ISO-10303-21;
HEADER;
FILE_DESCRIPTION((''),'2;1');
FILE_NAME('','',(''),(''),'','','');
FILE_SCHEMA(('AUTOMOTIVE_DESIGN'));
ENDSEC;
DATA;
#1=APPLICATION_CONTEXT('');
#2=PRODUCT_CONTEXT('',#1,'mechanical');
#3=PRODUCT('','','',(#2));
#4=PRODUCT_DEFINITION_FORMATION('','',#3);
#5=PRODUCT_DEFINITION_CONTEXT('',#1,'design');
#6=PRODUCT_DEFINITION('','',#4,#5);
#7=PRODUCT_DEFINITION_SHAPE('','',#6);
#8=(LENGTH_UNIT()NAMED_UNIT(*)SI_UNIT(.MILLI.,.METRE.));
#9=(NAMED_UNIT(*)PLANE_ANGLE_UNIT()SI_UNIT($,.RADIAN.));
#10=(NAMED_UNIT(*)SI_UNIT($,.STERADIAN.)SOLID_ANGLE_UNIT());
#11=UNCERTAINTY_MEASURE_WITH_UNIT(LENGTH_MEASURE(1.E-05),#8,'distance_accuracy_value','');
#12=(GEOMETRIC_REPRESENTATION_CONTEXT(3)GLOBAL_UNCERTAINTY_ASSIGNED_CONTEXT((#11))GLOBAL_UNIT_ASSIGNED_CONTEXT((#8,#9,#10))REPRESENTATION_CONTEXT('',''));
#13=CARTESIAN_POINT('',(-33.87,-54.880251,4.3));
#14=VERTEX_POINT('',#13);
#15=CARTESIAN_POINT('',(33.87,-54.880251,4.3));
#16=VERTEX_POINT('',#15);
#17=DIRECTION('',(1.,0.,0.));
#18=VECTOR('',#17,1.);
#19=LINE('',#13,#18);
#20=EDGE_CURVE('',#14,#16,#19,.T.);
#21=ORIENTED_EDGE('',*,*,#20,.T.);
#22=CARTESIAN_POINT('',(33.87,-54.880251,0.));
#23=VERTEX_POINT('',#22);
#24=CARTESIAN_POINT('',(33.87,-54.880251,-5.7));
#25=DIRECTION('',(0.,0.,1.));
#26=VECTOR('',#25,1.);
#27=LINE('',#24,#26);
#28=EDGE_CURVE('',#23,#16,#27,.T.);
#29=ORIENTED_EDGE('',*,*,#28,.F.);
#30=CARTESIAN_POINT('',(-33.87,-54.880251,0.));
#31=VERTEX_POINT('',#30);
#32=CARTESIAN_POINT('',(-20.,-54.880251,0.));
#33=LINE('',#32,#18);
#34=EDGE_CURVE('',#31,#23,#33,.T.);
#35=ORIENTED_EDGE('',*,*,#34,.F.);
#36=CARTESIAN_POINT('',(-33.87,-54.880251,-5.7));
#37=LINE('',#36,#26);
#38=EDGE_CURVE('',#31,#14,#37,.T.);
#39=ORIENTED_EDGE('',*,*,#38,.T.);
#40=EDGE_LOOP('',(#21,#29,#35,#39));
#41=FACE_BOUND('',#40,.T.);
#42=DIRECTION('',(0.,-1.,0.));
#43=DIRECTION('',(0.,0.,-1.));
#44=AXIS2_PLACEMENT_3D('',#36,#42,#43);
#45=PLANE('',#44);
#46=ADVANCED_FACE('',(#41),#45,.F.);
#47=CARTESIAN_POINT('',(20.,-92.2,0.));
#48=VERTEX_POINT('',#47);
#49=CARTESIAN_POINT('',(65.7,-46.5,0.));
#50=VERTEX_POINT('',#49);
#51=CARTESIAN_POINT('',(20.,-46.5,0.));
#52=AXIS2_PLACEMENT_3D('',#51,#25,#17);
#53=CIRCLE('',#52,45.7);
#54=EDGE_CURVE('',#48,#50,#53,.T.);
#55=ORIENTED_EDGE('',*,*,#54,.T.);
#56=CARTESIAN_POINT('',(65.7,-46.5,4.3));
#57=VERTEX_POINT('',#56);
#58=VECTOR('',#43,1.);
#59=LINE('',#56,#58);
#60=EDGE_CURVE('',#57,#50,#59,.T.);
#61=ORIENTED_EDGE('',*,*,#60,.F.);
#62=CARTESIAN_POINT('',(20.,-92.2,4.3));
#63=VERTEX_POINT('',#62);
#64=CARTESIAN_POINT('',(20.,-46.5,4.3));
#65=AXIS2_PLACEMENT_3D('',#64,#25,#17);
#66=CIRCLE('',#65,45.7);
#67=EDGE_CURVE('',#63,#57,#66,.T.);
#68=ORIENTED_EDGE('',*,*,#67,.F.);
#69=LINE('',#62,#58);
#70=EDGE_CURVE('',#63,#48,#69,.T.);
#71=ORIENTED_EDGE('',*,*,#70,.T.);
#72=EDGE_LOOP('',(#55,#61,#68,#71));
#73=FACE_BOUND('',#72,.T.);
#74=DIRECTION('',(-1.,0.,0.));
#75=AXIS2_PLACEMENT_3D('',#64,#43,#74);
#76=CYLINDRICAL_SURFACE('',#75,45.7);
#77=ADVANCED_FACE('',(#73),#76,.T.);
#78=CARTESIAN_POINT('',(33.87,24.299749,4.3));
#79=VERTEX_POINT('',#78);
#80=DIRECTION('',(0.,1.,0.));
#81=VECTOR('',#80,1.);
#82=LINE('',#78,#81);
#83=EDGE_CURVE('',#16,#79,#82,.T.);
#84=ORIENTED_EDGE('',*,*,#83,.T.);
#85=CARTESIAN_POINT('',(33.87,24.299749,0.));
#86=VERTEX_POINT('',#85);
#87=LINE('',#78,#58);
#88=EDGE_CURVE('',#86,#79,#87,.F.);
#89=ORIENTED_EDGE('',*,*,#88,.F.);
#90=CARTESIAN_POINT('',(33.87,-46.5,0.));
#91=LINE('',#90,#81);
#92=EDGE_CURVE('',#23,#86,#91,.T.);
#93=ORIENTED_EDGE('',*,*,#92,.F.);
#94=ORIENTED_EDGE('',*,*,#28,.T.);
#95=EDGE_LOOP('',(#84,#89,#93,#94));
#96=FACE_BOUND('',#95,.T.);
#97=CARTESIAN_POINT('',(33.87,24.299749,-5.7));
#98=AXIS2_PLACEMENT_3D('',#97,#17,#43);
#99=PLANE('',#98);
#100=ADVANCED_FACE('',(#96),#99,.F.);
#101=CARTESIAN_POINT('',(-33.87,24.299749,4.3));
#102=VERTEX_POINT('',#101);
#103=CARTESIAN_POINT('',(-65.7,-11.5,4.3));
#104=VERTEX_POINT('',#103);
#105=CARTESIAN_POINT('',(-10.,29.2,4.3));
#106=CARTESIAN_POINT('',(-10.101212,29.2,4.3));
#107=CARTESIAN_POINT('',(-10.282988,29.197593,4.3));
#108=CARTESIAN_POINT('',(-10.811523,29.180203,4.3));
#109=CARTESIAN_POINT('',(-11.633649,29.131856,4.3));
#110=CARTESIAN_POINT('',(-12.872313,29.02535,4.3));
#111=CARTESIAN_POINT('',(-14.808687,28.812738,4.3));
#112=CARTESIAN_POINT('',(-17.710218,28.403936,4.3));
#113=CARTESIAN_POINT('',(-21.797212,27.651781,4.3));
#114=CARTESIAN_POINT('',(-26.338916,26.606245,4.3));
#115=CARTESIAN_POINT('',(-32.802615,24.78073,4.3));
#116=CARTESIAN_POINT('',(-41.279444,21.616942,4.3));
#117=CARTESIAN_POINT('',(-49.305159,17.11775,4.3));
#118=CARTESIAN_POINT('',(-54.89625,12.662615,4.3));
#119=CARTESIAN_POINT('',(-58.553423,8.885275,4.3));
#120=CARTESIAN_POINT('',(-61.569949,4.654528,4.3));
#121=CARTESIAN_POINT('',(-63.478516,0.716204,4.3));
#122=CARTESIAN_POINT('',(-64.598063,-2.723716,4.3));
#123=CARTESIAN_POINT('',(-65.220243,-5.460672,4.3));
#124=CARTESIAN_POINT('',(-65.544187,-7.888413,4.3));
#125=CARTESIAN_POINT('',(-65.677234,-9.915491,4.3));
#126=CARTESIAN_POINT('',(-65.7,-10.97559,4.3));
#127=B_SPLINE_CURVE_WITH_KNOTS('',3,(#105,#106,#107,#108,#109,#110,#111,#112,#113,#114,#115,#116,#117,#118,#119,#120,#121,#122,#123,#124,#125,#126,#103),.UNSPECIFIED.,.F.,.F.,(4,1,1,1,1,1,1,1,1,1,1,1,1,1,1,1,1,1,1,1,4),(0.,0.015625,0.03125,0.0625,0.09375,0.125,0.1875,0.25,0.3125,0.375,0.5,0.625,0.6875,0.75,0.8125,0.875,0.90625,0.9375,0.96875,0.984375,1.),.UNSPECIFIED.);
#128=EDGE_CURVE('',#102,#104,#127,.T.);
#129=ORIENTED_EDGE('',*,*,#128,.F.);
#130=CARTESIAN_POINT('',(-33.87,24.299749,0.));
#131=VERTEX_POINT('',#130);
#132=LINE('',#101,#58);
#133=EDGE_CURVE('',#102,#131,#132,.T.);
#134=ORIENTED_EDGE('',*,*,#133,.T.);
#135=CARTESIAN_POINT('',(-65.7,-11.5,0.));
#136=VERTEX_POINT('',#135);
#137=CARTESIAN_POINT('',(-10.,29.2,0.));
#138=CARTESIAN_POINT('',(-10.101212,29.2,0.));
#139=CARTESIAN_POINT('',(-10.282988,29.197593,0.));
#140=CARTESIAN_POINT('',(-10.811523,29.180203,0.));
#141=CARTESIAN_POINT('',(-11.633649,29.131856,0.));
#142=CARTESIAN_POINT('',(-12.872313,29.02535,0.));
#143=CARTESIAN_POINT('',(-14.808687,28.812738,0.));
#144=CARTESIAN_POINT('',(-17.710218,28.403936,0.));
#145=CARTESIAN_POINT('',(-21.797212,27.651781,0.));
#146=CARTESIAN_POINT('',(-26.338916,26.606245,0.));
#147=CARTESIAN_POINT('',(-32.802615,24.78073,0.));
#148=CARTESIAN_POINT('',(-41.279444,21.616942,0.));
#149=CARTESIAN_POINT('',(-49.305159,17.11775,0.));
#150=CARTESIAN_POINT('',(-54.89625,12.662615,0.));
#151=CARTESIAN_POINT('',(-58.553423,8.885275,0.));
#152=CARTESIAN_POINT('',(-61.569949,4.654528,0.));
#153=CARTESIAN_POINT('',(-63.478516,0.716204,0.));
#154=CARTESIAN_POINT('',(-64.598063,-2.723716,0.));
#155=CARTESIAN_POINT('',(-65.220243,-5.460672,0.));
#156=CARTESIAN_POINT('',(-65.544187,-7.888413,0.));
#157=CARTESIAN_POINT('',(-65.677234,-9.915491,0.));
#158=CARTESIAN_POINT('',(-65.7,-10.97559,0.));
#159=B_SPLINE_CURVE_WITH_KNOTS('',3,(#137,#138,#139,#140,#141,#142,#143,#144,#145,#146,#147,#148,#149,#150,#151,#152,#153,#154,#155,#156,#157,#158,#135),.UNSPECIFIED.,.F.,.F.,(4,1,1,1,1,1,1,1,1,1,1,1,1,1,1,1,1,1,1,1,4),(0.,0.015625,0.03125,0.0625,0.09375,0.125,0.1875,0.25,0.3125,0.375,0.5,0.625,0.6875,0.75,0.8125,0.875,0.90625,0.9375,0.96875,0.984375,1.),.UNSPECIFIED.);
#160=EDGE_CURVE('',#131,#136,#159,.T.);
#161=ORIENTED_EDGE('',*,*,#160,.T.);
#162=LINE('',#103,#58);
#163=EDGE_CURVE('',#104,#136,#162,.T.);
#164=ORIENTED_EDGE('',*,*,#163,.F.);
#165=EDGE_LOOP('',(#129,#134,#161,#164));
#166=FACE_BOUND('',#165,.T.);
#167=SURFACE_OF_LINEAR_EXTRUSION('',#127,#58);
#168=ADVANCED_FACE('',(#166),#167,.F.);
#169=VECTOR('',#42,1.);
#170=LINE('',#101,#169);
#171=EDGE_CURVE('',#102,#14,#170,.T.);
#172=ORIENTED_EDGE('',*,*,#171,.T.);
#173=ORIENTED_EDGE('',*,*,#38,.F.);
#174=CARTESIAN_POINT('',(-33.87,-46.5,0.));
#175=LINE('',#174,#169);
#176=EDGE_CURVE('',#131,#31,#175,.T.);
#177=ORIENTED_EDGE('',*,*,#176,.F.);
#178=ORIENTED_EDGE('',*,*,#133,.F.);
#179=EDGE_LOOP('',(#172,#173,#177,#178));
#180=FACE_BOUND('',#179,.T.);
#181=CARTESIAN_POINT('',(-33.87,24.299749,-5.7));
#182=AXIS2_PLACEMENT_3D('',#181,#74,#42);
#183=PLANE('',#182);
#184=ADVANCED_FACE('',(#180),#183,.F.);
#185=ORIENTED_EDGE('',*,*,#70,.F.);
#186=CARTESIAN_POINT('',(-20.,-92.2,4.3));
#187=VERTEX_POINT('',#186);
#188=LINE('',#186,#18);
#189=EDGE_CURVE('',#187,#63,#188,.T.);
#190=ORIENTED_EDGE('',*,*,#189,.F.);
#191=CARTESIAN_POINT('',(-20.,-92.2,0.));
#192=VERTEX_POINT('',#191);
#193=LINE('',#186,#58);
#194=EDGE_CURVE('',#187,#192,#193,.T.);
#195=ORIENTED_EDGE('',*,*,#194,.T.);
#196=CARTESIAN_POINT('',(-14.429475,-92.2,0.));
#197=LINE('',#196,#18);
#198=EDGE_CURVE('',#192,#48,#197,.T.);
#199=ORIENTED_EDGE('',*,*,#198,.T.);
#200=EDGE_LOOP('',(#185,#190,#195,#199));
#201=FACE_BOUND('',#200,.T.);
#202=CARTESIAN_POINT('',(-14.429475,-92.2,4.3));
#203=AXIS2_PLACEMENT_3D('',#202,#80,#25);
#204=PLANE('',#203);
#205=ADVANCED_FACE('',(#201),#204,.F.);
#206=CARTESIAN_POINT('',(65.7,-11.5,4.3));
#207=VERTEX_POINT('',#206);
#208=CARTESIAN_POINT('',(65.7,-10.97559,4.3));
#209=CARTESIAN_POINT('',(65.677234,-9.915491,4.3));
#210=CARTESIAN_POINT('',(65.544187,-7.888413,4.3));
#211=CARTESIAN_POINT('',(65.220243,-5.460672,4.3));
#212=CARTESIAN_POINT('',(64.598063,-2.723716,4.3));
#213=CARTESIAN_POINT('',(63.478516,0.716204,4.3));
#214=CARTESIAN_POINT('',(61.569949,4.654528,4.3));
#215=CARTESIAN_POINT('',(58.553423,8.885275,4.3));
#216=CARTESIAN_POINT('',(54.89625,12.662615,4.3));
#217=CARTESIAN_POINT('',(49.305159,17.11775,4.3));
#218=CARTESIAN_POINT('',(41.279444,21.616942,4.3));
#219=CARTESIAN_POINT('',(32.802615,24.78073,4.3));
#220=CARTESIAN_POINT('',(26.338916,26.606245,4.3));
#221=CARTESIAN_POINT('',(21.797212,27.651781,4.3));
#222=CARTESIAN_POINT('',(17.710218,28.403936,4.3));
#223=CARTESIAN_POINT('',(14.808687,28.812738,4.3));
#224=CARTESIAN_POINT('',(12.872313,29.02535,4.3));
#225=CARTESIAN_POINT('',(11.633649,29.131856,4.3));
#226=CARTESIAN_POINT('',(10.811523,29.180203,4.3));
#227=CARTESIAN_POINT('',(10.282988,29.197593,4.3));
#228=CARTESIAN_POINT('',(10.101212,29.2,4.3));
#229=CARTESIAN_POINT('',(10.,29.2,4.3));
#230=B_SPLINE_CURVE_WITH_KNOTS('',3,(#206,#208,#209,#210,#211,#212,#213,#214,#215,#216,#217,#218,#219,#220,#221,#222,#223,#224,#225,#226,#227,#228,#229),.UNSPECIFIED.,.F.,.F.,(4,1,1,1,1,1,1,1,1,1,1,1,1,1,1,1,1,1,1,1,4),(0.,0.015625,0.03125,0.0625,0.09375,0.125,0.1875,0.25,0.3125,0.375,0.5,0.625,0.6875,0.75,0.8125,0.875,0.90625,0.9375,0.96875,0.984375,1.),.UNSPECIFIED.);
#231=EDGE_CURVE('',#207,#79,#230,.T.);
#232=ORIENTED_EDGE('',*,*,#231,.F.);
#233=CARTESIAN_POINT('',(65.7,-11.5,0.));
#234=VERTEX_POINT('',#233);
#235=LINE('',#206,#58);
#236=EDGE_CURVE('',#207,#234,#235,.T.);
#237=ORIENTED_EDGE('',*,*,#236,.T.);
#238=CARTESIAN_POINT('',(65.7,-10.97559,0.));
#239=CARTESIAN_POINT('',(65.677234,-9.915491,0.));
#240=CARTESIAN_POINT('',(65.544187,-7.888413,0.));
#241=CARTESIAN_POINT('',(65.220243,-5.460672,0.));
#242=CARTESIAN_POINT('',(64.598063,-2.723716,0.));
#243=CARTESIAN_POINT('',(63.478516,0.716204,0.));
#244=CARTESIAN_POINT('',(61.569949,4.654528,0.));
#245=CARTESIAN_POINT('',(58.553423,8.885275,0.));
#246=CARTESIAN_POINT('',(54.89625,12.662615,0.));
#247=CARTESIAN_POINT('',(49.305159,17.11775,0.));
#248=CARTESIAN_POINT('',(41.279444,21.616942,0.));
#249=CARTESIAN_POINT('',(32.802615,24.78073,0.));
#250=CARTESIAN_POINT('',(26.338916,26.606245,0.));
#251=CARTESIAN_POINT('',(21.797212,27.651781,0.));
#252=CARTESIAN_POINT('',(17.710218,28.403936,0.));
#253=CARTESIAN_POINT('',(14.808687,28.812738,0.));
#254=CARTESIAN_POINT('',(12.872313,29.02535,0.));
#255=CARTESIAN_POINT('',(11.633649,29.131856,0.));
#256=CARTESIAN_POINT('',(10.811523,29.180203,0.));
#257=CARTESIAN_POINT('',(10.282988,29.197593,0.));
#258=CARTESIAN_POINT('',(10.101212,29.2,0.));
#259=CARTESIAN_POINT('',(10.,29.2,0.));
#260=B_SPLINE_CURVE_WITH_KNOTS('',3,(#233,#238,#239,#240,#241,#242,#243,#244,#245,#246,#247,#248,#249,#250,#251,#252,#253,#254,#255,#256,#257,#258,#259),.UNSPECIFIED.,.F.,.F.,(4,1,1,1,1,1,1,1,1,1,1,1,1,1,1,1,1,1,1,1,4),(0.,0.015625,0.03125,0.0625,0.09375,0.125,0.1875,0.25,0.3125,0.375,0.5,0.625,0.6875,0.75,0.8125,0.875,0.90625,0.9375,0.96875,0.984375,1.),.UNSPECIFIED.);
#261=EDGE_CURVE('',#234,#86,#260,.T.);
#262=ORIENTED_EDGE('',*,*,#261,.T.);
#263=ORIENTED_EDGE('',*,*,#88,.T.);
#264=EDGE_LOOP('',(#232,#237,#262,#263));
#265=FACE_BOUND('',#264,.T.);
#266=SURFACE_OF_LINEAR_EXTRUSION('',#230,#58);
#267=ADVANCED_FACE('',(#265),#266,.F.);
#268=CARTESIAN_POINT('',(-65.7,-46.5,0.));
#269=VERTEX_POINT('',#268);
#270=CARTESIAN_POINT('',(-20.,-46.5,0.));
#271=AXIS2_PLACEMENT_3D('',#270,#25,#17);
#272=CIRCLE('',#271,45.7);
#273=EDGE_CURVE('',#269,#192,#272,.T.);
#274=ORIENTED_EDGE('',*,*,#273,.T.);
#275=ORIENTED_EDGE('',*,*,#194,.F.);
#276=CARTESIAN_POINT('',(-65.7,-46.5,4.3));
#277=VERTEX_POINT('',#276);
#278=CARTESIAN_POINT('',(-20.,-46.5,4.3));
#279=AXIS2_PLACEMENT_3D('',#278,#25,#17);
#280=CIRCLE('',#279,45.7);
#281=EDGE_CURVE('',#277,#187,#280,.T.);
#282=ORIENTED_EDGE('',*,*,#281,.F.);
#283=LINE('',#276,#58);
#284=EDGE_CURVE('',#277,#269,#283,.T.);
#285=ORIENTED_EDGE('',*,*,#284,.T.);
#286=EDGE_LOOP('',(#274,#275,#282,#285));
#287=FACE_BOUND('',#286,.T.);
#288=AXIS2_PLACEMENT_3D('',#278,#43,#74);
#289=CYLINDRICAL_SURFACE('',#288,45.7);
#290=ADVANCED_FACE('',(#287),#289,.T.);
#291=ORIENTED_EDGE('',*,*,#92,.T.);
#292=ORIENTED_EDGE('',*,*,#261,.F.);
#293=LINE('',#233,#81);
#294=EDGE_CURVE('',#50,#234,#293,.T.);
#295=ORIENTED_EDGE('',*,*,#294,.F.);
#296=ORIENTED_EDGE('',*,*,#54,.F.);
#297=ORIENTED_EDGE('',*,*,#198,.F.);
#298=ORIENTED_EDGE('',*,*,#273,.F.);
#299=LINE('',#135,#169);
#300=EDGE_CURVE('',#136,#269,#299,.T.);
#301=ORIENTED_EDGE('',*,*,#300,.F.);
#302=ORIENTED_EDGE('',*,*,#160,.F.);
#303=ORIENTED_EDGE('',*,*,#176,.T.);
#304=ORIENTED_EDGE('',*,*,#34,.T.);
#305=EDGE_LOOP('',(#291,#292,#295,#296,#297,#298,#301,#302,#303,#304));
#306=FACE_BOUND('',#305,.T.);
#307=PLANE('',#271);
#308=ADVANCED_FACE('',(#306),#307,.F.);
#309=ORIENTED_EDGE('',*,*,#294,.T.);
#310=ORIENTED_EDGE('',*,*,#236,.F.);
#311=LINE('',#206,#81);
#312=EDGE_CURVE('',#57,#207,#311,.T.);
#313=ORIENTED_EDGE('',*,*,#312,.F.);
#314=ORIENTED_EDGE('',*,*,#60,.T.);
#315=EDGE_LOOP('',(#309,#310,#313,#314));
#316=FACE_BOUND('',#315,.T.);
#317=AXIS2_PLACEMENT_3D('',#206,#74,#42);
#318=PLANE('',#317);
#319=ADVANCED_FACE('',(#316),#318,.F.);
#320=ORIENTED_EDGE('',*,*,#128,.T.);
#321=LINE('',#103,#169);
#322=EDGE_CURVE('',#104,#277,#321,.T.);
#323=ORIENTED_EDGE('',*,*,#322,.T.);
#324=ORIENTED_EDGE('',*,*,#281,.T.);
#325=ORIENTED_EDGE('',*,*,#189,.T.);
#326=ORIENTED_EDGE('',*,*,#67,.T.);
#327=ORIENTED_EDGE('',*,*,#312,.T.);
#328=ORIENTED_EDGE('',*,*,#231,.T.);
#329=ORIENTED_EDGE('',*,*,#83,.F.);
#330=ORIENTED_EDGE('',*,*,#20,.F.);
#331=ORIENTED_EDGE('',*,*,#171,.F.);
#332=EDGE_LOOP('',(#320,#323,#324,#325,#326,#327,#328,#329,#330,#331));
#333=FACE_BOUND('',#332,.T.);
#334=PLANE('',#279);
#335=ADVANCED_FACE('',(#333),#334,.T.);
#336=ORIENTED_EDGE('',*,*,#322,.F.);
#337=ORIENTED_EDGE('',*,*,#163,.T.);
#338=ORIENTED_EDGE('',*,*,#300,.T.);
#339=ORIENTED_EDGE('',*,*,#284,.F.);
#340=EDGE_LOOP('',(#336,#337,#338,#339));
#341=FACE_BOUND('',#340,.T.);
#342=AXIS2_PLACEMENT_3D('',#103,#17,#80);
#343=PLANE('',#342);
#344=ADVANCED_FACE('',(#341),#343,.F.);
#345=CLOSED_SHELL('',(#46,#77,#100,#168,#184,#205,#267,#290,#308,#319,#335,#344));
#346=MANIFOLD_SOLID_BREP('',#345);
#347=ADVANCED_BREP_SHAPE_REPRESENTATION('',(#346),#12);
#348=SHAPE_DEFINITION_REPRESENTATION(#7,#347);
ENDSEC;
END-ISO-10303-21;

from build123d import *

# Parameters (mm, degrees)
BOSS_EXTRUDE1_DEPTH = 4.3
CUT_EXTRUDE1_DEPTH  = 10


with BuildPart() as part:
    # Sketch1 → Boss-Extrude1 (new body)
    with BuildSketch(Plane.XY):
        with BuildLine():
            Line((-20, -92.2), (-14.429475301, -92.2))
            Line((-14.429475301, -92.2), (20, -92.2))
            ThreePointArc((20, -92.2), (52.3147799, -78.8147799), (65.7, -46.5))
            Line((65.7, -46.5), (65.7, -11.5))
            add(Edge.make_bspline(
                [(65.7, -11.5), (65.7, -10.975589958), (65.677234408, -9.915490978), (65.544187041, -7.888412939), (65.220242618, -5.460671952), (64.598062769, -2.723715825), (63.478515533, 0.7162036), (61.569949009, 4.65452752), (58.553422876, 8.885275051), (54.896250473, 12.662614765), (49.30515895, 17.117750268), (41.279444306, 21.616942397), (32.802615045, 24.780729734), (26.33891585, 26.60624502), (21.797211531, 27.651780938), (17.71021827, 28.4039364), (14.808687361, 28.812738163), (12.872312778, 29.025349646), (11.633648581, 29.131856353), (10.811523275, 29.180203188), (10.282988146, 29.197593371), (10.101212389, 29.2), (10, 29.2)],
                knots=[0, 0, 0, 0, 0.015625, 0.03125, 0.0625, 0.09375, 0.125, 0.1875, 0.25, 0.3125, 0.375, 0.5, 0.625, 0.6875, 0.75, 0.8125, 0.875, 0.90625, 0.9375, 0.96875, 0.984375, 1, 1, 1, 1], degree=3))
            Line((10, 29.2), (-10, 29.2))
            add(Edge.make_bspline(
                [(-10, 29.2), (-10.101212389, 29.2), (-10.282988146, 29.197593371), (-10.811523275, 29.180203188), (-11.633648581, 29.131856353), (-12.872312778, 29.025349646), (-14.808687361, 28.812738163), (-17.71021827, 28.4039364), (-21.797211531, 27.651780938), (-26.33891585, 26.60624502), (-32.802615045, 24.780729734), (-41.279444306, 21.616942397), (-49.30515895, 17.117750268), (-54.896250473, 12.662614765), (-58.553422876, 8.885275051), (-61.569949009, 4.65452752), (-63.478515533, 0.7162036), (-64.598062769, -2.723715825), (-65.220242618, -5.460671952), (-65.544187041, -7.888412939), (-65.677234408, -9.915490978), (-65.7, -10.975589958), (-65.7, -11.5)],
                knots=[0, 0, 0, 0, 0.015625, 0.03125, 0.0625, 0.09375, 0.125, 0.1875, 0.25, 0.3125, 0.375, 0.5, 0.625, 0.6875, 0.75, 0.8125, 0.875, 0.90625, 0.9375, 0.96875, 0.984375, 1, 1, 1, 1], degree=3))
            Line((-65.7, -11.5), (-65.7, -46.5))
            ThreePointArc((-65.7, -46.5), (-52.3147799, -78.8147799), (-20, -92.2))
        make_face()
    extrude(amount=BOSS_EXTRUDE1_DEPTH)

    # Sketch2 → Cut-Extrude1 (cut)
    with BuildSketch(Plane.XY.offset(4.3)):
        Polygon((-33.87, 24.299748656), (-33.87, -54.880251344), (33.87, -54.880251344), (33.87, 24.299748656), (33.87, 35.468874446), (-33.87, 35.468874446), align=None)
    extrude(amount=-CUT_EXTRUDE1_DEPTH, mode=Mode.SUBTRACT)


solid = part.part
